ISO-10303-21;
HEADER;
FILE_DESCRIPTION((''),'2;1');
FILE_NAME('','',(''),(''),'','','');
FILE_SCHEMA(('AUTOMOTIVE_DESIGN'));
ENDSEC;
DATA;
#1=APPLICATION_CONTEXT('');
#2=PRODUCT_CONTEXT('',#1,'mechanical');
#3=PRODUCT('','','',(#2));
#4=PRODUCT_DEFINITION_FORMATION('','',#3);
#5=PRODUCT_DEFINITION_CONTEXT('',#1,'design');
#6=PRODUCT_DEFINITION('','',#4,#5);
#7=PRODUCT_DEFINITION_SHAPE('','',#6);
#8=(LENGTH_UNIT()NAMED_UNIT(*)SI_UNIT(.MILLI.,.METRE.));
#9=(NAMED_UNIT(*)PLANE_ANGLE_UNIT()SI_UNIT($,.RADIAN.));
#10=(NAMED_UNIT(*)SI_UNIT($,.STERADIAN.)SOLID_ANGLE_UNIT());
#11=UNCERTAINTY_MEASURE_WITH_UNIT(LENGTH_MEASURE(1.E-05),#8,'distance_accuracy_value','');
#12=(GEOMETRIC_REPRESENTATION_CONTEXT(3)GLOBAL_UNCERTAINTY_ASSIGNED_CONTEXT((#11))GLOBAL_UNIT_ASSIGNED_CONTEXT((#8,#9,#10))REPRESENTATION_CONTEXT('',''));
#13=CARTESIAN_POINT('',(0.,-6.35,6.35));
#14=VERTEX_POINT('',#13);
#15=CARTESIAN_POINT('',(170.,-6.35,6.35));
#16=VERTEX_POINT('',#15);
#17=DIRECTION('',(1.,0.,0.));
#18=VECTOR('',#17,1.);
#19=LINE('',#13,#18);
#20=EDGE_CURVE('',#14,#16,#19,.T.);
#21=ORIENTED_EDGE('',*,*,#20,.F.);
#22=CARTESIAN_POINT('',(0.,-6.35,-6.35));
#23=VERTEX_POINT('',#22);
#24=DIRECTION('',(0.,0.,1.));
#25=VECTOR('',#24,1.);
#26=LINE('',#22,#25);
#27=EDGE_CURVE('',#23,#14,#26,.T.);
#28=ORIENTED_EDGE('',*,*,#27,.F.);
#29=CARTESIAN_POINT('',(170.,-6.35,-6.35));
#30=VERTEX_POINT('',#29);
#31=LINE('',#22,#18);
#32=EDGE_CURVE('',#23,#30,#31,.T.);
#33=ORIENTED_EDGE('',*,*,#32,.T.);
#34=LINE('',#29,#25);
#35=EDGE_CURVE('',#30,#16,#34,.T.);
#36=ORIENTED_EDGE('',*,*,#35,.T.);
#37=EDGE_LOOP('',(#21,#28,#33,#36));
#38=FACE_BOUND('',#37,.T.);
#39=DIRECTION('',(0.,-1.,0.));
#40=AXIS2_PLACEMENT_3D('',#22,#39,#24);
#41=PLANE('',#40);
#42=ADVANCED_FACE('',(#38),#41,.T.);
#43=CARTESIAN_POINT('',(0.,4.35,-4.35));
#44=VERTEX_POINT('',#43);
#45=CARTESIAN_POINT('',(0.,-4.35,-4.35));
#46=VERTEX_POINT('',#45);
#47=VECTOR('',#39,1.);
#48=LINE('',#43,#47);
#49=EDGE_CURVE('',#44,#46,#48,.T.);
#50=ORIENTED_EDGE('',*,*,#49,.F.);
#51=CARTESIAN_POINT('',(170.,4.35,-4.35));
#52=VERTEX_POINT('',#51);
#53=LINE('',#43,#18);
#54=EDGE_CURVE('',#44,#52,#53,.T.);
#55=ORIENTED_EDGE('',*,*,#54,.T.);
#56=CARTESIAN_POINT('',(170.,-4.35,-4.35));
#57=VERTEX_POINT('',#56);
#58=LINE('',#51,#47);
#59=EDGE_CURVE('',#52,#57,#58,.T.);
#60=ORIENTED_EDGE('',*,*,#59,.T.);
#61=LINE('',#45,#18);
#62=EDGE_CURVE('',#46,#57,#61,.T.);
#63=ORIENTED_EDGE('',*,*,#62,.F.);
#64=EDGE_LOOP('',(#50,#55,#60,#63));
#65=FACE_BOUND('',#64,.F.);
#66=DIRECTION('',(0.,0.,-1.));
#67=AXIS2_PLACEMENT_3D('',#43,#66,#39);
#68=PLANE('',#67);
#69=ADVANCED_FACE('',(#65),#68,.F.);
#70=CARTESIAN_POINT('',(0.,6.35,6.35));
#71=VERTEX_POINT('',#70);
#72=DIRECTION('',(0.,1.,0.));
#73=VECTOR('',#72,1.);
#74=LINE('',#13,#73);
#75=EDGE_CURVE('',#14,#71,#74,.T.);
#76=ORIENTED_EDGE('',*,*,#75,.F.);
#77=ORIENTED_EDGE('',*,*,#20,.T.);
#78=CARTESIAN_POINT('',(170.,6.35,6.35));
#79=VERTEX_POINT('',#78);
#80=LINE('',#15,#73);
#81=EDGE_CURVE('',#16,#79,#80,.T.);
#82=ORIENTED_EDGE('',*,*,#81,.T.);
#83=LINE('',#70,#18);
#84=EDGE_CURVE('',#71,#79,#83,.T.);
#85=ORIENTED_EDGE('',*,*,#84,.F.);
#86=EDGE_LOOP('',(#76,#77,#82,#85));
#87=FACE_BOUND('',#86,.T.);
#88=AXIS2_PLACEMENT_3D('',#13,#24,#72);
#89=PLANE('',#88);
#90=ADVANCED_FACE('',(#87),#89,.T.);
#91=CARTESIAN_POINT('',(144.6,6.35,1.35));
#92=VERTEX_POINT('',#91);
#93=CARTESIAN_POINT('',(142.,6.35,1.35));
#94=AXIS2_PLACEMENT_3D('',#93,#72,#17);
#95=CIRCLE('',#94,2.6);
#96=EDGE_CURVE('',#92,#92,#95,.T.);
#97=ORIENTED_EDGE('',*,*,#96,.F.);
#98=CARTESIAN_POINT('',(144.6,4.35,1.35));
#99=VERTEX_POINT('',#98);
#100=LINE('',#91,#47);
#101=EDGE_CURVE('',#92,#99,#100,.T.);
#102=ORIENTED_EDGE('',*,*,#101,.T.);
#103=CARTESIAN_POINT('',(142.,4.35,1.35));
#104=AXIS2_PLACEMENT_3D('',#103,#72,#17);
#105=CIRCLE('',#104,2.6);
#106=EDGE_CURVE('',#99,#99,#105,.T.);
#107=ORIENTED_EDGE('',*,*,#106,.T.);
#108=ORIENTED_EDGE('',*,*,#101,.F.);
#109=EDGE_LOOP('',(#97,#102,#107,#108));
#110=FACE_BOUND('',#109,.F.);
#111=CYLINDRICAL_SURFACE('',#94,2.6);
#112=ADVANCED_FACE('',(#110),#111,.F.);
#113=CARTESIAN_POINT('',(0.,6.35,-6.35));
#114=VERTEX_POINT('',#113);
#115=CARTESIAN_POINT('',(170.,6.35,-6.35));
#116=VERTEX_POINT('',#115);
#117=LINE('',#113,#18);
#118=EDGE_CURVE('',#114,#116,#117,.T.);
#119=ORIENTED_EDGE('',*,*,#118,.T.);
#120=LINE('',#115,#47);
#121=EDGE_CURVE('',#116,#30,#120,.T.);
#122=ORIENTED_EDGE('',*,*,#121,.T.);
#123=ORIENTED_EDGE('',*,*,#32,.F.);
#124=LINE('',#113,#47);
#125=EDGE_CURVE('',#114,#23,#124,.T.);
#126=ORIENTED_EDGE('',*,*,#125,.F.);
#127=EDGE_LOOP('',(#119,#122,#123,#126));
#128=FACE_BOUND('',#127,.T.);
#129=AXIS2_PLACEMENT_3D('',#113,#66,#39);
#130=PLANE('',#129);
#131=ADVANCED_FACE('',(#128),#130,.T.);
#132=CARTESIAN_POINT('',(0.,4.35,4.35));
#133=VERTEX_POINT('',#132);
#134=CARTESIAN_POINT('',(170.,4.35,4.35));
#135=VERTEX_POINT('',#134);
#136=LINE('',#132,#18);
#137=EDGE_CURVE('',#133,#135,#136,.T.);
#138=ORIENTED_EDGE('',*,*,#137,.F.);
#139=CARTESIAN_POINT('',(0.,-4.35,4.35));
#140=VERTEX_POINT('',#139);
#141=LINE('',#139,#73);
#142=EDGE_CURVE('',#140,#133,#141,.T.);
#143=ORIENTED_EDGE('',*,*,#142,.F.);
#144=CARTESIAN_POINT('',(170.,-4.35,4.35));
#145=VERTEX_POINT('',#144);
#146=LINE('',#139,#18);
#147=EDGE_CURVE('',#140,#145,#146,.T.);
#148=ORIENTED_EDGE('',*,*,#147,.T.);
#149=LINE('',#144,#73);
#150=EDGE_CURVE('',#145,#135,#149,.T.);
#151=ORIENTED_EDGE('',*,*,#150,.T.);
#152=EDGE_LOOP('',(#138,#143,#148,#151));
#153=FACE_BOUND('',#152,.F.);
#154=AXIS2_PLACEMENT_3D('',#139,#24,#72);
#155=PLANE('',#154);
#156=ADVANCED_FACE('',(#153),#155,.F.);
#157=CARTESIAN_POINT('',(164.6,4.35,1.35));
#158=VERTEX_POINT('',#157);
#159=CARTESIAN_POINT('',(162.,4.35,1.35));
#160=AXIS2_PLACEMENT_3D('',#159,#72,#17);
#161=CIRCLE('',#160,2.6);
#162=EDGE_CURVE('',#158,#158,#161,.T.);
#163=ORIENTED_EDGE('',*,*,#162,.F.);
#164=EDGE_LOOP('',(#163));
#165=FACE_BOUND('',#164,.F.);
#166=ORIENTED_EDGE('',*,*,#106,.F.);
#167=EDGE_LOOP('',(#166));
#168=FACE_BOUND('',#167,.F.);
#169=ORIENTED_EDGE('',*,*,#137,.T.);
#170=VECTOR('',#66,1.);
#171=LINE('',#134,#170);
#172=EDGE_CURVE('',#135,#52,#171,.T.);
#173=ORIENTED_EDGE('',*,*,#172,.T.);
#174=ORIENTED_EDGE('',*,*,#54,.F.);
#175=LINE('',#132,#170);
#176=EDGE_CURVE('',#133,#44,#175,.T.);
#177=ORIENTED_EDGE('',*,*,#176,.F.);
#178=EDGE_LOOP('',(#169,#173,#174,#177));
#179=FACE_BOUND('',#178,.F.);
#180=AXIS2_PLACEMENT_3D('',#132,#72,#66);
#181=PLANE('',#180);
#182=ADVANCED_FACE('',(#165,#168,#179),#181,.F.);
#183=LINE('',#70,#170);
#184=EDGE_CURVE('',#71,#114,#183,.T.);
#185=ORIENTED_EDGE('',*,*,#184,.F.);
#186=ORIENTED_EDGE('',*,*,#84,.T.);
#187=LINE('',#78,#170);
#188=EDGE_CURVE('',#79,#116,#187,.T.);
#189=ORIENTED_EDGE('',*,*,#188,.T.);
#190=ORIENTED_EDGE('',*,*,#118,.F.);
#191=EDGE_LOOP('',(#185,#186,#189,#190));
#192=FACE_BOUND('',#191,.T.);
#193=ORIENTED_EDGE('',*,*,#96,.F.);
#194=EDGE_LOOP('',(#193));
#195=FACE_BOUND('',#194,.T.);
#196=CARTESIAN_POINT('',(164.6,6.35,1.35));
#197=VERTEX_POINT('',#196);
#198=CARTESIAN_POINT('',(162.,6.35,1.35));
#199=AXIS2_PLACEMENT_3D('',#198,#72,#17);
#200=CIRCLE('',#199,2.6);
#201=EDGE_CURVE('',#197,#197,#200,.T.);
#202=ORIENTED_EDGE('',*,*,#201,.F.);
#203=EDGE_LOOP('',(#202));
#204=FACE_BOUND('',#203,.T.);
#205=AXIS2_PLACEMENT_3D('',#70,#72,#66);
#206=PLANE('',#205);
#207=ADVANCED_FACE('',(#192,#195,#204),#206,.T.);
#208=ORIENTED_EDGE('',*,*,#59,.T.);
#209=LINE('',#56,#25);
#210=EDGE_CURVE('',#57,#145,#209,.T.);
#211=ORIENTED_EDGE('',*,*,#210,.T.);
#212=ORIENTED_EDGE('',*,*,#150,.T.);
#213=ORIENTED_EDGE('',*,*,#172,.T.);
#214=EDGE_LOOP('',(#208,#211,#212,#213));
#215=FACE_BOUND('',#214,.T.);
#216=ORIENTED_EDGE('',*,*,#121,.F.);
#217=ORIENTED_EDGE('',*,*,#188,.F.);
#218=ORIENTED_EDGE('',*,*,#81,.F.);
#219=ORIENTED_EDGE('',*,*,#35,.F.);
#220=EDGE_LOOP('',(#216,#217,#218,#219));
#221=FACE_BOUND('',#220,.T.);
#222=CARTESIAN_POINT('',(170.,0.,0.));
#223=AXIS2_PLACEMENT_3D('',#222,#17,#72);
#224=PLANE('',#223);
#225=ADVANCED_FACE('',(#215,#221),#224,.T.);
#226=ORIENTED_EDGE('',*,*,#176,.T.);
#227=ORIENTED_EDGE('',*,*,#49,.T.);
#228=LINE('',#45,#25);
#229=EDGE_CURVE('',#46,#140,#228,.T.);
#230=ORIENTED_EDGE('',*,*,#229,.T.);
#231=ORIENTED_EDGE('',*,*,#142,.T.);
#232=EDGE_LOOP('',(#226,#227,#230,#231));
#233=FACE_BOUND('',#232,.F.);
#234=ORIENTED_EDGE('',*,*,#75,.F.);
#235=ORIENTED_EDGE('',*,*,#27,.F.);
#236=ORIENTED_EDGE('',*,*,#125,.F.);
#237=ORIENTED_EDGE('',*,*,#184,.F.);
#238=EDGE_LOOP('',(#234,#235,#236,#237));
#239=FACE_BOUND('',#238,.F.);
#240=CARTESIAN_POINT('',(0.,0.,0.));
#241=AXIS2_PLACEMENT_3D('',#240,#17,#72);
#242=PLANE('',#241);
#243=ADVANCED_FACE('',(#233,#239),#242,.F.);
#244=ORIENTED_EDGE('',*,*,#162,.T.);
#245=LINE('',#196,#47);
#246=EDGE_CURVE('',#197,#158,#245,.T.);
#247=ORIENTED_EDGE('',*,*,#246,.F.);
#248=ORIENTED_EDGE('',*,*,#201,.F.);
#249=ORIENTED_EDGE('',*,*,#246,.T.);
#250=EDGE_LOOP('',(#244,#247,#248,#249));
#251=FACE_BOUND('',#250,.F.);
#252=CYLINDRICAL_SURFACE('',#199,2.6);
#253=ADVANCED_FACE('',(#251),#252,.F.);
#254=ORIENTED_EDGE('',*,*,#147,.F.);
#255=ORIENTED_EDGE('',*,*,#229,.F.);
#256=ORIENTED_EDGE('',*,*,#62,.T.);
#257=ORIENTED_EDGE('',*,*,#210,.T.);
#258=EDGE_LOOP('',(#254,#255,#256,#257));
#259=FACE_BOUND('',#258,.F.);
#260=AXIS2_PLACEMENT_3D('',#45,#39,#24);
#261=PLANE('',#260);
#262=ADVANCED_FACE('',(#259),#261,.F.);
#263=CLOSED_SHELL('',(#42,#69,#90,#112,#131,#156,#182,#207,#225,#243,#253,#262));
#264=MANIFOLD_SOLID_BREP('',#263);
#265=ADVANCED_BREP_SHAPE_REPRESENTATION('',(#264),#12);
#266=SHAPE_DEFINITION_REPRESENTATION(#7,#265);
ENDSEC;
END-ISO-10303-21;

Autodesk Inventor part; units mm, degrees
ref_plane "YZ Plane" through (0, 0, 0) normal (1, 0, 0) x (0, 1, 0)
ref_plane "XZ Plane" through (0, 0, 0) normal (0, 1, 0) x (-1, 0, 0)
ref_plane "XY Plane" through (0, 0, 0) normal (0, 0, 1) x (1, 0, 0)
sketch "Sketch1" plane through (0, 0, 0) normal (1, 0, 0) x (0, 1, 0)
  line L0 (-6.35, 6.35) -> (6.35, 6.35)
  line L1 (6.35, 6.35) -> (6.35, -6.35)
  line L2 (6.35, -6.35) -> (-6.35, -6.35)
  line L3 (-6.35, -6.35) -> (-6.35, 6.35)
  line L4 (-6.35, 6.35) -> (6.35, -6.35) construction
  line L5 (6.35, 6.35) -> (-6.35, -6.35) construction
  line L6 (-4.35, 4.35) -> (4.35, 4.35)
  line L7 (4.35, 4.35) -> (4.35, -4.35)
  line L8 (4.35, -4.35) -> (-4.35, -4.35)
  line L9 (-4.35, -4.35) -> (-4.35, 4.35)
  line L10 (-4.35, 4.35) -> (4.35, -4.35) construction
  line L11 (4.35, 4.35) -> (-4.35, -4.35) construction
  point P0 (0, 0)
  dimension "d0" = 12.7
  dimension "d1" = 12.7
  dimension "d13" = 2
  dimension "d14" = 2
extrude "Extrusion1" add sketch "Sketch1" along normal blind 170
sketch "Sketch2" plane through (0, 6.35, 6.35) normal (0, 1, 0) x (1, 0, 0)
  circle A0 centre (162, 5) radius 2.6
  line L0 (170, 12.7) -> (170, 0) projected
  circle A1 centre (142, 5) radius 2.6
  line L1 (0, 0) -> (170, 0) projected
  point P0 (0, 6.35)
  dimension "d8" = 5.2
  dimension "d9" = 8
  dimension "d10" = 5.2
  dimension "d11" = 20
  dimension "d12" = 5
extrude "Extrusion2" cut sketch "Sketch2" against normal blind 10
equation "\"d1\" = d0"
equation "\"d14\" = d13"
properties part number "arm"
